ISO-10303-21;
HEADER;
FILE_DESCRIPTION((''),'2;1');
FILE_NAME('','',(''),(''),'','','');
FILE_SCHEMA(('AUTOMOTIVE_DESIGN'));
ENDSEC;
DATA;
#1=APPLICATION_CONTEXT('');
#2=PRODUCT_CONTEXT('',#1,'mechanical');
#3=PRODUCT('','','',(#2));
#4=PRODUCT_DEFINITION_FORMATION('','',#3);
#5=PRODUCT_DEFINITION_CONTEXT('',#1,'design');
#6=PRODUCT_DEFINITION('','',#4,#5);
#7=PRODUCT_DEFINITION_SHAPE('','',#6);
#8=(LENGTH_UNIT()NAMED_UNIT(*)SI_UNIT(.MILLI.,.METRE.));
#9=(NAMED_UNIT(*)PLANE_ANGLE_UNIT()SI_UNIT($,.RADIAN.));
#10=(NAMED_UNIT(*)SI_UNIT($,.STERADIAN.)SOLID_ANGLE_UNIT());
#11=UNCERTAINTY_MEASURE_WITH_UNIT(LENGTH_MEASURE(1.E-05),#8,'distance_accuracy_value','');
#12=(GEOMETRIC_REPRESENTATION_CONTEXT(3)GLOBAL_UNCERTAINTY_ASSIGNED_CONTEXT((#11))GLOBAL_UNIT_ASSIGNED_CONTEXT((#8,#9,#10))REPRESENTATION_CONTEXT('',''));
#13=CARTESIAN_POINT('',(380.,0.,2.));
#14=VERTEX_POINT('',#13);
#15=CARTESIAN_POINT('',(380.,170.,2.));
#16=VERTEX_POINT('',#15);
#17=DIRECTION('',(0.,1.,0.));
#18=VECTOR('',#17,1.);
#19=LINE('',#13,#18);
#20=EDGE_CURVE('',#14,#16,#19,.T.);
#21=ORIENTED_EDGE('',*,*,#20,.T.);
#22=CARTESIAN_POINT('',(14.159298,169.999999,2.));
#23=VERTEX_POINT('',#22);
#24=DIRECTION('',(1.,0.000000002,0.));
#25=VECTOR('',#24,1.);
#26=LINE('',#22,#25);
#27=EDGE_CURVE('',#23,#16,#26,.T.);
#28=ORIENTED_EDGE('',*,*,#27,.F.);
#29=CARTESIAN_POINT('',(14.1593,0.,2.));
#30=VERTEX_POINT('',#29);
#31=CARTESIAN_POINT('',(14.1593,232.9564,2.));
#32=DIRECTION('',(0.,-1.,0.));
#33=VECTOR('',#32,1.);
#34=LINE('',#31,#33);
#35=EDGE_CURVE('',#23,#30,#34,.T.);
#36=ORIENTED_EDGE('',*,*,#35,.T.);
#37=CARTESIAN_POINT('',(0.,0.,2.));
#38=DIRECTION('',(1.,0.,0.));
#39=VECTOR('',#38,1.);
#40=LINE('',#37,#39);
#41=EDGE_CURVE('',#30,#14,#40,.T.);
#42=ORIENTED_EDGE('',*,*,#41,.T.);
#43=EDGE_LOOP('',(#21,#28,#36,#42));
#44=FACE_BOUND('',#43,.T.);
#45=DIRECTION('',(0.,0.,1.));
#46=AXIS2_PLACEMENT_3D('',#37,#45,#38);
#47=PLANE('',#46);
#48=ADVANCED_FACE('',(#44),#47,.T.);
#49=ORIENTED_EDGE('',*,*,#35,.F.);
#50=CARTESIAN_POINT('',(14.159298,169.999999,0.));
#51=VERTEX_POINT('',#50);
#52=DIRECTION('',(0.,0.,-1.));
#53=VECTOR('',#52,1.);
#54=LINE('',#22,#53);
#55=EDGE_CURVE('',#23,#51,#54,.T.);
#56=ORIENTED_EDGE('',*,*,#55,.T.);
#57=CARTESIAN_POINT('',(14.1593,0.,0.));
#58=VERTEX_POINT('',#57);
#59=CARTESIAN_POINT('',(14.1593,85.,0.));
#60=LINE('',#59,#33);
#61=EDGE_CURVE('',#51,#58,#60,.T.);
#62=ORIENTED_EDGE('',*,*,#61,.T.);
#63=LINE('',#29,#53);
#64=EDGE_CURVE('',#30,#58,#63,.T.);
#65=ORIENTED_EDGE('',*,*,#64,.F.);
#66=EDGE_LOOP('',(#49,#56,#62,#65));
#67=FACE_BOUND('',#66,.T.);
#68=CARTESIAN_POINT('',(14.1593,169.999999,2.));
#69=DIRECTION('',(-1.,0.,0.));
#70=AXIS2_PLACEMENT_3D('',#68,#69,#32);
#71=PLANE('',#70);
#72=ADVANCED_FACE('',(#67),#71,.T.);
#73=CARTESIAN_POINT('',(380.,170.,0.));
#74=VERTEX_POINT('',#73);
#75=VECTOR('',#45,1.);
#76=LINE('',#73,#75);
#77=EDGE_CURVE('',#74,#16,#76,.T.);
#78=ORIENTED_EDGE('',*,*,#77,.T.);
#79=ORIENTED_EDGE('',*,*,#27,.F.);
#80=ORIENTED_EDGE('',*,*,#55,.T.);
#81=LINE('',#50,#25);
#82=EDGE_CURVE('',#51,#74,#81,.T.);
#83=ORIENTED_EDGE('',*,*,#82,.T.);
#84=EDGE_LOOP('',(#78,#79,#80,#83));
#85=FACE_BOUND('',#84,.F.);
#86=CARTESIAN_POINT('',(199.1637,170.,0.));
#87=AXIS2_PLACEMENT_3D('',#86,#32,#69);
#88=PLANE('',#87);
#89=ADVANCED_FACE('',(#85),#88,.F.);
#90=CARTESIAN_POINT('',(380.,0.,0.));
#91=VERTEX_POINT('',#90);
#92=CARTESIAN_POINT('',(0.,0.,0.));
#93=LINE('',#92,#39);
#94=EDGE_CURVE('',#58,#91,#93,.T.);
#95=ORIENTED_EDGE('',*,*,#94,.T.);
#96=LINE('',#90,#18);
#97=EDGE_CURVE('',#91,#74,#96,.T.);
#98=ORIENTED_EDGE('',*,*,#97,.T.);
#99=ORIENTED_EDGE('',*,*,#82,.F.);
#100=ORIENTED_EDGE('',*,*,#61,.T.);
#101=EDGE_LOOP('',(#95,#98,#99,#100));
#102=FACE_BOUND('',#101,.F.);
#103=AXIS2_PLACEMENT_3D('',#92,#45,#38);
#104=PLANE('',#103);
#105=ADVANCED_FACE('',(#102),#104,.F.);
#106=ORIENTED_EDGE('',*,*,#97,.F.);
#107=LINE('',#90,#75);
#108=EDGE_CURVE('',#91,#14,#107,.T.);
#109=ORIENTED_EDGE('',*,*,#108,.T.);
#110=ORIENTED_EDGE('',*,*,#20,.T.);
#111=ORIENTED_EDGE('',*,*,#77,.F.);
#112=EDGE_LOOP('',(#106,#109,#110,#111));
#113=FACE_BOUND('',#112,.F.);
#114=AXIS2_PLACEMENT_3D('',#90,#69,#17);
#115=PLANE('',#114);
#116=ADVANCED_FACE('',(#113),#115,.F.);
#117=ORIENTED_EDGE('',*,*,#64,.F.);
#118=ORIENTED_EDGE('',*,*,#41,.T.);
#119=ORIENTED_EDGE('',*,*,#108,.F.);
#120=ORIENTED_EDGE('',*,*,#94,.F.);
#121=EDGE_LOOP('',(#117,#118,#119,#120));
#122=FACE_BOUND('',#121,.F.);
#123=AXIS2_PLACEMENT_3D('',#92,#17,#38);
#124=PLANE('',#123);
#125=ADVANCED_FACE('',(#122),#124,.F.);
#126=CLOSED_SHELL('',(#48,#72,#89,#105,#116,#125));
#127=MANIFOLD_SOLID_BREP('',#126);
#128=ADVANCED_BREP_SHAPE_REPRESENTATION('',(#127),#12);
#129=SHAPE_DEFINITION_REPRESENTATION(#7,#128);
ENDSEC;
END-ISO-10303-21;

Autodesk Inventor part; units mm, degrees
ref_plane "YZ Plane" through (0, 0, 0) normal (1, 0, 0) x (0, 1, 0)
ref_plane "XZ Plane" through (0, 0, 0) normal (0, 1, 0) x (-1, 0, 0)
ref_plane "XY Plane" through (0, 0, 0) normal (0, 0, 1) x (1, 0, 0)
sketch "Эскиз1" plane through (0, 0, 0) normal (0, 0, 1) x (1, 0, 0)
  line L0 (0, 0) -> (380, 0)
  line L1 (380, 0) -> (380, 227)
  line L2 (380, 227) -> (0, 227)
  line L3 (0, 227) -> (0, 0)
  dimension "d0" = 380
  dimension "d1" = 227
extrude "Выдавливание1" add sketch "Эскиз1" along normal blind 2
sketch "Эскиз2" plane through (0, 0, 2) normal (0, 0, 1) x (1, 0, 0)
  arc A0 (24, 227) -> (184.1593, 0) centre (184.1593, 170) ccw projected
  line L0 (380, 0) -> (380, 227) projected
  line L1 (380, 227) -> (0, 227) projected
  line L2 (0, 227) -> (0, 0) projected
  line L3 (0, 0) -> (380, 0) projected
  line L4 (14.1593, 232.9564) -> (14.1593, -21.9054)
  line L5 (0, 227) -> (0, 0) projected
  point P0 (14.1593, 170)
  point P1 (24, 227)
  point P2 (14.1593, 0)
extrude "Выдавливание2" cut sketch "Эскиз2" against normal blind 10 contours A0 L4 L1 | L4 L3 L2 L1
sketch "Эскиз3" plane through (0, 0, 0) normal (0, 0, -1) x (-1, 0, 0)
  circle A0 centre (-199.1637, 155) radius 3.1 projected
  line L0 (-199.1637, 155) -> (-199.1637, 170)
  line L1 (-199.1637, 170) -> (-433.1861, 170)
  line L2 (-14.1593, 0) -> (-14.1593, 170) projected
  arc A1 (-14.1593, 170) -> (-24, 227) centre (-184.1593, 170) ccw projected
  line L3 (-380, 227) -> (-24, 227) projected
  line L4 (-380, 0) -> (-380, 227) projected
  line L5 (-14.1593, 0) -> (-380, 0) projected
  line L6 (-199.1637, 170) -> (39.472, 170)
  point P0 (0, 0)
  point P1 (-380, 170)
  point P2 (-14.1593, 170)
  dimension "d6" = 15
extrude "Выдавливание3" cut sketch "Эскиз3" against normal blind 10 contours L1 L4 L3 A1 L6
properties part number "стенка ответная"
